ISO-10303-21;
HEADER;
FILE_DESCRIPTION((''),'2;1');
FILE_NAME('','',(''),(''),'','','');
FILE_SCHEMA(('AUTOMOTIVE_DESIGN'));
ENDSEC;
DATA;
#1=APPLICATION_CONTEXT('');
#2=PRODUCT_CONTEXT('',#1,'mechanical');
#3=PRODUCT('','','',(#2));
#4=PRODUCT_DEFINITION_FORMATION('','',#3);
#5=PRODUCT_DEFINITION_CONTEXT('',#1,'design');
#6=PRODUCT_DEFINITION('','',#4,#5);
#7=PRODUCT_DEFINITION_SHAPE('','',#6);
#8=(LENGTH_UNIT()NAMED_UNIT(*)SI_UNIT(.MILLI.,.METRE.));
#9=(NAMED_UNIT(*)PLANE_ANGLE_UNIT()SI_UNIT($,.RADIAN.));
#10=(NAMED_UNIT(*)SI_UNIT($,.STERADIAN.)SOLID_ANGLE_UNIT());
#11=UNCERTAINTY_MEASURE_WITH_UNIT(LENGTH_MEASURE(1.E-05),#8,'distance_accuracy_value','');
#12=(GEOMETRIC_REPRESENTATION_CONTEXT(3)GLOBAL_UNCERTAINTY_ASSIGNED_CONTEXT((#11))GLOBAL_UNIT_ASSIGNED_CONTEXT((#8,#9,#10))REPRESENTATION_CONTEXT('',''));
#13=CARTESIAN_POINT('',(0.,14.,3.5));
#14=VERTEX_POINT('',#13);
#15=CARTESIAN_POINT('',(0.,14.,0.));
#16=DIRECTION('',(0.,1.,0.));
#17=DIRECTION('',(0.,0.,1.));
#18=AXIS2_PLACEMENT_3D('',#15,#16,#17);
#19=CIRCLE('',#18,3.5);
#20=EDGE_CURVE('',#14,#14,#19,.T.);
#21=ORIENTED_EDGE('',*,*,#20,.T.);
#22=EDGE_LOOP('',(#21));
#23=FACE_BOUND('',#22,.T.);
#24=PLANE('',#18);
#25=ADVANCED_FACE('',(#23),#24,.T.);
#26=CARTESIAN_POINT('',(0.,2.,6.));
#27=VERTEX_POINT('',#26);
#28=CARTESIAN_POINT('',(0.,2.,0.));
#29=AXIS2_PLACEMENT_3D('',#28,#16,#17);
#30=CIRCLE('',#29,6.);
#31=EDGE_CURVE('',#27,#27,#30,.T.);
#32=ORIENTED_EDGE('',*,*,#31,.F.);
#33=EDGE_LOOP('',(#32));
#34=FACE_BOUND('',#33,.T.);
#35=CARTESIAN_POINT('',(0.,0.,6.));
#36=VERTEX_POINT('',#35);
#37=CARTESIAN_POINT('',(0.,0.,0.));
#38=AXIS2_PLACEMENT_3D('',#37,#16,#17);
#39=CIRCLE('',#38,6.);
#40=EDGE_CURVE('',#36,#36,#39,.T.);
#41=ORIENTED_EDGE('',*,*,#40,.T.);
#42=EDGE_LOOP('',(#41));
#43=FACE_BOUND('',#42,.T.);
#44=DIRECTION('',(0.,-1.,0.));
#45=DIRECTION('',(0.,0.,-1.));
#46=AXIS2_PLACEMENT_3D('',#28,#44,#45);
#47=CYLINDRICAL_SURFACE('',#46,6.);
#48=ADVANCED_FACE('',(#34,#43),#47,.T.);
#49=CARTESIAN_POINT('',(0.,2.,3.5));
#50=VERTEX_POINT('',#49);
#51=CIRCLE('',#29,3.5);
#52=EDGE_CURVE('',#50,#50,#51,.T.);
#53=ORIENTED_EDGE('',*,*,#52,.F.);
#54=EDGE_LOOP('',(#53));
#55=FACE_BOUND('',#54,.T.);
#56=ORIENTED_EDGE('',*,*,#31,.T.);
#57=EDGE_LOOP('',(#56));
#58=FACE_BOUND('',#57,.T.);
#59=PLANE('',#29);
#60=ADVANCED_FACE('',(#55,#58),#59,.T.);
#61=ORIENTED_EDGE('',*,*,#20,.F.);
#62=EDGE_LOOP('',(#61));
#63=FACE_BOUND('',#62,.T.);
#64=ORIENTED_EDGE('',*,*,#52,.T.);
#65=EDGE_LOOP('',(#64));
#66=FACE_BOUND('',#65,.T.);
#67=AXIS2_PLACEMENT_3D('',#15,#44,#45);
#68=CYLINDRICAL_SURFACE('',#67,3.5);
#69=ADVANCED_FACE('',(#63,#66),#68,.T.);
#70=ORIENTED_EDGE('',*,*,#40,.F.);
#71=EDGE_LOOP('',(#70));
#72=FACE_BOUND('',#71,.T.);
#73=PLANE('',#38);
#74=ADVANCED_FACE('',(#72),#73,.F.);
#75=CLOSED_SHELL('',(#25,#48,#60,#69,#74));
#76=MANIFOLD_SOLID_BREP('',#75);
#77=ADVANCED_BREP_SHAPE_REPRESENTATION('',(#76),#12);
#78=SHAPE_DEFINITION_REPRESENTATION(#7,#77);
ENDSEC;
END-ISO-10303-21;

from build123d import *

# Parameters (mm, degrees)
CROQUIS1_R              = 6
SALIENTE_EXTRUIR1_DEPTH = 2
CROQUIS2_R              = 3.5
SALIENTE_EXTRUIR2_DEPTH = 12


with BuildPart() as part:
    # Croquis1 → Saliente-Extruir1 (new body)
    with BuildSketch(Plane(origin=(0, 0, 0), x_dir=(1, 0, 0), z_dir=(0, 1, 0))):
        Circle(CROQUIS1_R)
    extrude(amount=SALIENTE_EXTRUIR1_DEPTH)

    # Croquis2 → Saliente-Extruir2 (add)
    with BuildSketch(Plane(origin=(0, 2, 0), x_dir=(1, 0, 0), z_dir=(0, 1, 0))):
        Circle(CROQUIS2_R)
    extrude(amount=SALIENTE_EXTRUIR2_DEPTH)


solid = part.part
